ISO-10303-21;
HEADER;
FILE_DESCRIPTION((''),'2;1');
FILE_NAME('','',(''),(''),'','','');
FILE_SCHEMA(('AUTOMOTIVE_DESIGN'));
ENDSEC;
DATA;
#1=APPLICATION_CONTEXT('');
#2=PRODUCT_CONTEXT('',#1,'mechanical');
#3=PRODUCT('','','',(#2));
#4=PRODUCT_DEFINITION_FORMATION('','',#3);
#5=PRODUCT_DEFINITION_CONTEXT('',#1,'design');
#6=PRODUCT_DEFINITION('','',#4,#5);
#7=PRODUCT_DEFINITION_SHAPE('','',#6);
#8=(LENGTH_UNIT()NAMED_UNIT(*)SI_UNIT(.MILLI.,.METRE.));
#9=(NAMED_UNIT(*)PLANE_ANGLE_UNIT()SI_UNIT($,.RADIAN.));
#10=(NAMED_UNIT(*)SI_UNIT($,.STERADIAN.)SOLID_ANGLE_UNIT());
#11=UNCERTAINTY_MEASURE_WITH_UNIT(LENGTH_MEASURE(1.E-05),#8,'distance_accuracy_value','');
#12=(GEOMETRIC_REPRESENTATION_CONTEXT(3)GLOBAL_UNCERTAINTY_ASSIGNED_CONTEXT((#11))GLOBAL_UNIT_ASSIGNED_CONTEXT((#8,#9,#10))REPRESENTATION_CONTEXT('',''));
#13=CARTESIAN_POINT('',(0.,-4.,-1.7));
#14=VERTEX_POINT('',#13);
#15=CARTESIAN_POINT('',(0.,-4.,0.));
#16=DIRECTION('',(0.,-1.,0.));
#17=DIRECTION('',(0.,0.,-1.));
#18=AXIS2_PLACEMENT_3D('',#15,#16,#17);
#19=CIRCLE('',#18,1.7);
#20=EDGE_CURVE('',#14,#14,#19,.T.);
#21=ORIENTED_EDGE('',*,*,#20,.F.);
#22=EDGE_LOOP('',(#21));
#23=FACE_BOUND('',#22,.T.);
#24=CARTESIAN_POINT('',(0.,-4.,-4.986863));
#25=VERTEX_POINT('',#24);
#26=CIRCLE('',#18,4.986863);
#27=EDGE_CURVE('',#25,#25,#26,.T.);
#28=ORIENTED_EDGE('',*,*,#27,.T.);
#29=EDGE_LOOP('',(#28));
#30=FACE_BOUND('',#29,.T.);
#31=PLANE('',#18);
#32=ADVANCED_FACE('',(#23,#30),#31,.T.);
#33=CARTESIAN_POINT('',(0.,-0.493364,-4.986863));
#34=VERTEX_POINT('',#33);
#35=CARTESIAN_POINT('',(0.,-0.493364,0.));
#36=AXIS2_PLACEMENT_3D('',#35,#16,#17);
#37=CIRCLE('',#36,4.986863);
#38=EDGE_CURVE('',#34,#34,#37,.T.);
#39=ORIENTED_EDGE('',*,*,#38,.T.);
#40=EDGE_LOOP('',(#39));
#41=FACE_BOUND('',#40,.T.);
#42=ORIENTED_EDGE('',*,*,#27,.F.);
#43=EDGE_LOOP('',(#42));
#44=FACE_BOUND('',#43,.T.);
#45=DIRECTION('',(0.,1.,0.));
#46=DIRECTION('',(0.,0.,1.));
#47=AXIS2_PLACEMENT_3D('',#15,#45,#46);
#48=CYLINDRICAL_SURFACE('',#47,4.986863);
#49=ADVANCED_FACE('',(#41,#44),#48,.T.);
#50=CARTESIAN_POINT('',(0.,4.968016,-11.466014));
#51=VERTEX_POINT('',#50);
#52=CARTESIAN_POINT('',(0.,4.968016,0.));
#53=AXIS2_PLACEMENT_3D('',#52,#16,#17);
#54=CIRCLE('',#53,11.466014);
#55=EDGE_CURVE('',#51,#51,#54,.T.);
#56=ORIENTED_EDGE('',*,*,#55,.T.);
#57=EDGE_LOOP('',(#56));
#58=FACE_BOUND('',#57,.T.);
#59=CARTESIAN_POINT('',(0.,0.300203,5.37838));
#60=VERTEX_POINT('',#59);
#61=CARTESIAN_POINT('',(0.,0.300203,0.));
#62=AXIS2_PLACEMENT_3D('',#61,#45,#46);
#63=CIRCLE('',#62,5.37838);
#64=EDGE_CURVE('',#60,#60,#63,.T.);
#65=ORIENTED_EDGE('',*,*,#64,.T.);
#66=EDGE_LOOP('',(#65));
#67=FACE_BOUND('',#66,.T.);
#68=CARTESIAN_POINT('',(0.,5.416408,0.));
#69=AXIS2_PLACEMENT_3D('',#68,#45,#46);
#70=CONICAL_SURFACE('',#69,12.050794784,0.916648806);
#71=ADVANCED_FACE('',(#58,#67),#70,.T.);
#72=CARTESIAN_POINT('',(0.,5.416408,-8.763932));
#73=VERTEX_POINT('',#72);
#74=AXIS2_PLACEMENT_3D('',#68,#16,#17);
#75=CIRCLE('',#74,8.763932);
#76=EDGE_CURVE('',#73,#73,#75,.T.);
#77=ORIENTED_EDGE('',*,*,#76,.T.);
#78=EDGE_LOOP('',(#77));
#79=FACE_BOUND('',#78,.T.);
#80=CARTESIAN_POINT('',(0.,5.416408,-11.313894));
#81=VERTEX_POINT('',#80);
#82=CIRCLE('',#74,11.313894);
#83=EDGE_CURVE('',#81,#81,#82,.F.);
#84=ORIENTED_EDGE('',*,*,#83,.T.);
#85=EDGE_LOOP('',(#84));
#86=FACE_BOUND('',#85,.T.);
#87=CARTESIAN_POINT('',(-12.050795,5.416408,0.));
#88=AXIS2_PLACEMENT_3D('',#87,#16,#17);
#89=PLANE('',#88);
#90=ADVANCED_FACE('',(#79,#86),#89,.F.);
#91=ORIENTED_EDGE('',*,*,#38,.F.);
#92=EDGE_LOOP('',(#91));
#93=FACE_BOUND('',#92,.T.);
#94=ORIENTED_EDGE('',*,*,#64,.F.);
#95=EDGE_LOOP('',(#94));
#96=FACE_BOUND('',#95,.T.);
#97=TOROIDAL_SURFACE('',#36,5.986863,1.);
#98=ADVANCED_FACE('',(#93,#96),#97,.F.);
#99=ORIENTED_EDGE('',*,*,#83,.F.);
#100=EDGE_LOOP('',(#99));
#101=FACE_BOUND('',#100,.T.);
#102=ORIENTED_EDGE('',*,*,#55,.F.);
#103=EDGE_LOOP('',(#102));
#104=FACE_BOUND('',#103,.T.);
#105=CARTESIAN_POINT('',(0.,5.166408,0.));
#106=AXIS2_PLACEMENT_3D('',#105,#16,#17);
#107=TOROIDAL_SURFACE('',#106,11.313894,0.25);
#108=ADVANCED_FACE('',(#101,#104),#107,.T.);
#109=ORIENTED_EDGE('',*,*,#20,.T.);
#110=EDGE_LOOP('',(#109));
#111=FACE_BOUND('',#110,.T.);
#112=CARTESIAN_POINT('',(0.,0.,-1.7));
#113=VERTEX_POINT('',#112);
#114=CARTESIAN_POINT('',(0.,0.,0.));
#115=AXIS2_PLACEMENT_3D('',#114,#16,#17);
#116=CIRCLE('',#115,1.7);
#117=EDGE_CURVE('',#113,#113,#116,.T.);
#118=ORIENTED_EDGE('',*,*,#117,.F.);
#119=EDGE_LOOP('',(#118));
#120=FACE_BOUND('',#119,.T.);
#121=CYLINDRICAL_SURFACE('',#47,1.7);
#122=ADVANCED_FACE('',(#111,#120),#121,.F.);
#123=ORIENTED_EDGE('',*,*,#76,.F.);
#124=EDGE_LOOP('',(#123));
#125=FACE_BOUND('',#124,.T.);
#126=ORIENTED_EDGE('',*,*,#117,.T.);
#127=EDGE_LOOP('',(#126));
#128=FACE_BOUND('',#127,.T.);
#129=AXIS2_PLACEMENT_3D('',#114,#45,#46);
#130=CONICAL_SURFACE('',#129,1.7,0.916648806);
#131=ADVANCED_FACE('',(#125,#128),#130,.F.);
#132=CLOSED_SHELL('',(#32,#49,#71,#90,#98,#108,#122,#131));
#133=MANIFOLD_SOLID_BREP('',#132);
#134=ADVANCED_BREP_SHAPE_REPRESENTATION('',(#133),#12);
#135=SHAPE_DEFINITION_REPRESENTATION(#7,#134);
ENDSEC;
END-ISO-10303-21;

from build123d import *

# Parameters (mm, degrees)
SKETCH2_R           = 4.986862764
SKETCH2_R_2         = 1.7
BOSS_EXTRUDE1_DEPTH = 4
FILLET1_R           = 0.25
FILLET2_R           = 1


with BuildPart() as part:
    # Sketch1 → Revolve1 (revolve)
    with BuildSketch(Plane.XY):
        Polygon((-1.7, 0), (-4.986862764, 0), (-12.050794784, 5.416408), (-8.76393202, 5.416408), align=None)
    revolve(axis=Axis((0, 0, 0), (0, 1, 0)))

    # Sketch2 → Boss-Extrude1 (add)
    with BuildSketch(Plane.XZ):
        Circle(SKETCH2_R)
        Circle(SKETCH2_R_2, mode=Mode.SUBTRACT)
    extrude(amount=BOSS_EXTRUDE1_DEPTH)

    # Fillet1
    fillet1_edges = [part.edges().sort_by_distance(p)[0] for p in [
        (12.050794784, 5.416408, 0),
    ]]
    fillet(fillet1_edges, radius=FILLET1_R)

    # Fillet2
    fillet2_edges = [part.edges().sort_by_distance(p)[0] for p in [
        (0, 0, -4.986862764),
    ]]
    fillet(fillet2_edges, radius=FILLET2_R)


solid = part.part
